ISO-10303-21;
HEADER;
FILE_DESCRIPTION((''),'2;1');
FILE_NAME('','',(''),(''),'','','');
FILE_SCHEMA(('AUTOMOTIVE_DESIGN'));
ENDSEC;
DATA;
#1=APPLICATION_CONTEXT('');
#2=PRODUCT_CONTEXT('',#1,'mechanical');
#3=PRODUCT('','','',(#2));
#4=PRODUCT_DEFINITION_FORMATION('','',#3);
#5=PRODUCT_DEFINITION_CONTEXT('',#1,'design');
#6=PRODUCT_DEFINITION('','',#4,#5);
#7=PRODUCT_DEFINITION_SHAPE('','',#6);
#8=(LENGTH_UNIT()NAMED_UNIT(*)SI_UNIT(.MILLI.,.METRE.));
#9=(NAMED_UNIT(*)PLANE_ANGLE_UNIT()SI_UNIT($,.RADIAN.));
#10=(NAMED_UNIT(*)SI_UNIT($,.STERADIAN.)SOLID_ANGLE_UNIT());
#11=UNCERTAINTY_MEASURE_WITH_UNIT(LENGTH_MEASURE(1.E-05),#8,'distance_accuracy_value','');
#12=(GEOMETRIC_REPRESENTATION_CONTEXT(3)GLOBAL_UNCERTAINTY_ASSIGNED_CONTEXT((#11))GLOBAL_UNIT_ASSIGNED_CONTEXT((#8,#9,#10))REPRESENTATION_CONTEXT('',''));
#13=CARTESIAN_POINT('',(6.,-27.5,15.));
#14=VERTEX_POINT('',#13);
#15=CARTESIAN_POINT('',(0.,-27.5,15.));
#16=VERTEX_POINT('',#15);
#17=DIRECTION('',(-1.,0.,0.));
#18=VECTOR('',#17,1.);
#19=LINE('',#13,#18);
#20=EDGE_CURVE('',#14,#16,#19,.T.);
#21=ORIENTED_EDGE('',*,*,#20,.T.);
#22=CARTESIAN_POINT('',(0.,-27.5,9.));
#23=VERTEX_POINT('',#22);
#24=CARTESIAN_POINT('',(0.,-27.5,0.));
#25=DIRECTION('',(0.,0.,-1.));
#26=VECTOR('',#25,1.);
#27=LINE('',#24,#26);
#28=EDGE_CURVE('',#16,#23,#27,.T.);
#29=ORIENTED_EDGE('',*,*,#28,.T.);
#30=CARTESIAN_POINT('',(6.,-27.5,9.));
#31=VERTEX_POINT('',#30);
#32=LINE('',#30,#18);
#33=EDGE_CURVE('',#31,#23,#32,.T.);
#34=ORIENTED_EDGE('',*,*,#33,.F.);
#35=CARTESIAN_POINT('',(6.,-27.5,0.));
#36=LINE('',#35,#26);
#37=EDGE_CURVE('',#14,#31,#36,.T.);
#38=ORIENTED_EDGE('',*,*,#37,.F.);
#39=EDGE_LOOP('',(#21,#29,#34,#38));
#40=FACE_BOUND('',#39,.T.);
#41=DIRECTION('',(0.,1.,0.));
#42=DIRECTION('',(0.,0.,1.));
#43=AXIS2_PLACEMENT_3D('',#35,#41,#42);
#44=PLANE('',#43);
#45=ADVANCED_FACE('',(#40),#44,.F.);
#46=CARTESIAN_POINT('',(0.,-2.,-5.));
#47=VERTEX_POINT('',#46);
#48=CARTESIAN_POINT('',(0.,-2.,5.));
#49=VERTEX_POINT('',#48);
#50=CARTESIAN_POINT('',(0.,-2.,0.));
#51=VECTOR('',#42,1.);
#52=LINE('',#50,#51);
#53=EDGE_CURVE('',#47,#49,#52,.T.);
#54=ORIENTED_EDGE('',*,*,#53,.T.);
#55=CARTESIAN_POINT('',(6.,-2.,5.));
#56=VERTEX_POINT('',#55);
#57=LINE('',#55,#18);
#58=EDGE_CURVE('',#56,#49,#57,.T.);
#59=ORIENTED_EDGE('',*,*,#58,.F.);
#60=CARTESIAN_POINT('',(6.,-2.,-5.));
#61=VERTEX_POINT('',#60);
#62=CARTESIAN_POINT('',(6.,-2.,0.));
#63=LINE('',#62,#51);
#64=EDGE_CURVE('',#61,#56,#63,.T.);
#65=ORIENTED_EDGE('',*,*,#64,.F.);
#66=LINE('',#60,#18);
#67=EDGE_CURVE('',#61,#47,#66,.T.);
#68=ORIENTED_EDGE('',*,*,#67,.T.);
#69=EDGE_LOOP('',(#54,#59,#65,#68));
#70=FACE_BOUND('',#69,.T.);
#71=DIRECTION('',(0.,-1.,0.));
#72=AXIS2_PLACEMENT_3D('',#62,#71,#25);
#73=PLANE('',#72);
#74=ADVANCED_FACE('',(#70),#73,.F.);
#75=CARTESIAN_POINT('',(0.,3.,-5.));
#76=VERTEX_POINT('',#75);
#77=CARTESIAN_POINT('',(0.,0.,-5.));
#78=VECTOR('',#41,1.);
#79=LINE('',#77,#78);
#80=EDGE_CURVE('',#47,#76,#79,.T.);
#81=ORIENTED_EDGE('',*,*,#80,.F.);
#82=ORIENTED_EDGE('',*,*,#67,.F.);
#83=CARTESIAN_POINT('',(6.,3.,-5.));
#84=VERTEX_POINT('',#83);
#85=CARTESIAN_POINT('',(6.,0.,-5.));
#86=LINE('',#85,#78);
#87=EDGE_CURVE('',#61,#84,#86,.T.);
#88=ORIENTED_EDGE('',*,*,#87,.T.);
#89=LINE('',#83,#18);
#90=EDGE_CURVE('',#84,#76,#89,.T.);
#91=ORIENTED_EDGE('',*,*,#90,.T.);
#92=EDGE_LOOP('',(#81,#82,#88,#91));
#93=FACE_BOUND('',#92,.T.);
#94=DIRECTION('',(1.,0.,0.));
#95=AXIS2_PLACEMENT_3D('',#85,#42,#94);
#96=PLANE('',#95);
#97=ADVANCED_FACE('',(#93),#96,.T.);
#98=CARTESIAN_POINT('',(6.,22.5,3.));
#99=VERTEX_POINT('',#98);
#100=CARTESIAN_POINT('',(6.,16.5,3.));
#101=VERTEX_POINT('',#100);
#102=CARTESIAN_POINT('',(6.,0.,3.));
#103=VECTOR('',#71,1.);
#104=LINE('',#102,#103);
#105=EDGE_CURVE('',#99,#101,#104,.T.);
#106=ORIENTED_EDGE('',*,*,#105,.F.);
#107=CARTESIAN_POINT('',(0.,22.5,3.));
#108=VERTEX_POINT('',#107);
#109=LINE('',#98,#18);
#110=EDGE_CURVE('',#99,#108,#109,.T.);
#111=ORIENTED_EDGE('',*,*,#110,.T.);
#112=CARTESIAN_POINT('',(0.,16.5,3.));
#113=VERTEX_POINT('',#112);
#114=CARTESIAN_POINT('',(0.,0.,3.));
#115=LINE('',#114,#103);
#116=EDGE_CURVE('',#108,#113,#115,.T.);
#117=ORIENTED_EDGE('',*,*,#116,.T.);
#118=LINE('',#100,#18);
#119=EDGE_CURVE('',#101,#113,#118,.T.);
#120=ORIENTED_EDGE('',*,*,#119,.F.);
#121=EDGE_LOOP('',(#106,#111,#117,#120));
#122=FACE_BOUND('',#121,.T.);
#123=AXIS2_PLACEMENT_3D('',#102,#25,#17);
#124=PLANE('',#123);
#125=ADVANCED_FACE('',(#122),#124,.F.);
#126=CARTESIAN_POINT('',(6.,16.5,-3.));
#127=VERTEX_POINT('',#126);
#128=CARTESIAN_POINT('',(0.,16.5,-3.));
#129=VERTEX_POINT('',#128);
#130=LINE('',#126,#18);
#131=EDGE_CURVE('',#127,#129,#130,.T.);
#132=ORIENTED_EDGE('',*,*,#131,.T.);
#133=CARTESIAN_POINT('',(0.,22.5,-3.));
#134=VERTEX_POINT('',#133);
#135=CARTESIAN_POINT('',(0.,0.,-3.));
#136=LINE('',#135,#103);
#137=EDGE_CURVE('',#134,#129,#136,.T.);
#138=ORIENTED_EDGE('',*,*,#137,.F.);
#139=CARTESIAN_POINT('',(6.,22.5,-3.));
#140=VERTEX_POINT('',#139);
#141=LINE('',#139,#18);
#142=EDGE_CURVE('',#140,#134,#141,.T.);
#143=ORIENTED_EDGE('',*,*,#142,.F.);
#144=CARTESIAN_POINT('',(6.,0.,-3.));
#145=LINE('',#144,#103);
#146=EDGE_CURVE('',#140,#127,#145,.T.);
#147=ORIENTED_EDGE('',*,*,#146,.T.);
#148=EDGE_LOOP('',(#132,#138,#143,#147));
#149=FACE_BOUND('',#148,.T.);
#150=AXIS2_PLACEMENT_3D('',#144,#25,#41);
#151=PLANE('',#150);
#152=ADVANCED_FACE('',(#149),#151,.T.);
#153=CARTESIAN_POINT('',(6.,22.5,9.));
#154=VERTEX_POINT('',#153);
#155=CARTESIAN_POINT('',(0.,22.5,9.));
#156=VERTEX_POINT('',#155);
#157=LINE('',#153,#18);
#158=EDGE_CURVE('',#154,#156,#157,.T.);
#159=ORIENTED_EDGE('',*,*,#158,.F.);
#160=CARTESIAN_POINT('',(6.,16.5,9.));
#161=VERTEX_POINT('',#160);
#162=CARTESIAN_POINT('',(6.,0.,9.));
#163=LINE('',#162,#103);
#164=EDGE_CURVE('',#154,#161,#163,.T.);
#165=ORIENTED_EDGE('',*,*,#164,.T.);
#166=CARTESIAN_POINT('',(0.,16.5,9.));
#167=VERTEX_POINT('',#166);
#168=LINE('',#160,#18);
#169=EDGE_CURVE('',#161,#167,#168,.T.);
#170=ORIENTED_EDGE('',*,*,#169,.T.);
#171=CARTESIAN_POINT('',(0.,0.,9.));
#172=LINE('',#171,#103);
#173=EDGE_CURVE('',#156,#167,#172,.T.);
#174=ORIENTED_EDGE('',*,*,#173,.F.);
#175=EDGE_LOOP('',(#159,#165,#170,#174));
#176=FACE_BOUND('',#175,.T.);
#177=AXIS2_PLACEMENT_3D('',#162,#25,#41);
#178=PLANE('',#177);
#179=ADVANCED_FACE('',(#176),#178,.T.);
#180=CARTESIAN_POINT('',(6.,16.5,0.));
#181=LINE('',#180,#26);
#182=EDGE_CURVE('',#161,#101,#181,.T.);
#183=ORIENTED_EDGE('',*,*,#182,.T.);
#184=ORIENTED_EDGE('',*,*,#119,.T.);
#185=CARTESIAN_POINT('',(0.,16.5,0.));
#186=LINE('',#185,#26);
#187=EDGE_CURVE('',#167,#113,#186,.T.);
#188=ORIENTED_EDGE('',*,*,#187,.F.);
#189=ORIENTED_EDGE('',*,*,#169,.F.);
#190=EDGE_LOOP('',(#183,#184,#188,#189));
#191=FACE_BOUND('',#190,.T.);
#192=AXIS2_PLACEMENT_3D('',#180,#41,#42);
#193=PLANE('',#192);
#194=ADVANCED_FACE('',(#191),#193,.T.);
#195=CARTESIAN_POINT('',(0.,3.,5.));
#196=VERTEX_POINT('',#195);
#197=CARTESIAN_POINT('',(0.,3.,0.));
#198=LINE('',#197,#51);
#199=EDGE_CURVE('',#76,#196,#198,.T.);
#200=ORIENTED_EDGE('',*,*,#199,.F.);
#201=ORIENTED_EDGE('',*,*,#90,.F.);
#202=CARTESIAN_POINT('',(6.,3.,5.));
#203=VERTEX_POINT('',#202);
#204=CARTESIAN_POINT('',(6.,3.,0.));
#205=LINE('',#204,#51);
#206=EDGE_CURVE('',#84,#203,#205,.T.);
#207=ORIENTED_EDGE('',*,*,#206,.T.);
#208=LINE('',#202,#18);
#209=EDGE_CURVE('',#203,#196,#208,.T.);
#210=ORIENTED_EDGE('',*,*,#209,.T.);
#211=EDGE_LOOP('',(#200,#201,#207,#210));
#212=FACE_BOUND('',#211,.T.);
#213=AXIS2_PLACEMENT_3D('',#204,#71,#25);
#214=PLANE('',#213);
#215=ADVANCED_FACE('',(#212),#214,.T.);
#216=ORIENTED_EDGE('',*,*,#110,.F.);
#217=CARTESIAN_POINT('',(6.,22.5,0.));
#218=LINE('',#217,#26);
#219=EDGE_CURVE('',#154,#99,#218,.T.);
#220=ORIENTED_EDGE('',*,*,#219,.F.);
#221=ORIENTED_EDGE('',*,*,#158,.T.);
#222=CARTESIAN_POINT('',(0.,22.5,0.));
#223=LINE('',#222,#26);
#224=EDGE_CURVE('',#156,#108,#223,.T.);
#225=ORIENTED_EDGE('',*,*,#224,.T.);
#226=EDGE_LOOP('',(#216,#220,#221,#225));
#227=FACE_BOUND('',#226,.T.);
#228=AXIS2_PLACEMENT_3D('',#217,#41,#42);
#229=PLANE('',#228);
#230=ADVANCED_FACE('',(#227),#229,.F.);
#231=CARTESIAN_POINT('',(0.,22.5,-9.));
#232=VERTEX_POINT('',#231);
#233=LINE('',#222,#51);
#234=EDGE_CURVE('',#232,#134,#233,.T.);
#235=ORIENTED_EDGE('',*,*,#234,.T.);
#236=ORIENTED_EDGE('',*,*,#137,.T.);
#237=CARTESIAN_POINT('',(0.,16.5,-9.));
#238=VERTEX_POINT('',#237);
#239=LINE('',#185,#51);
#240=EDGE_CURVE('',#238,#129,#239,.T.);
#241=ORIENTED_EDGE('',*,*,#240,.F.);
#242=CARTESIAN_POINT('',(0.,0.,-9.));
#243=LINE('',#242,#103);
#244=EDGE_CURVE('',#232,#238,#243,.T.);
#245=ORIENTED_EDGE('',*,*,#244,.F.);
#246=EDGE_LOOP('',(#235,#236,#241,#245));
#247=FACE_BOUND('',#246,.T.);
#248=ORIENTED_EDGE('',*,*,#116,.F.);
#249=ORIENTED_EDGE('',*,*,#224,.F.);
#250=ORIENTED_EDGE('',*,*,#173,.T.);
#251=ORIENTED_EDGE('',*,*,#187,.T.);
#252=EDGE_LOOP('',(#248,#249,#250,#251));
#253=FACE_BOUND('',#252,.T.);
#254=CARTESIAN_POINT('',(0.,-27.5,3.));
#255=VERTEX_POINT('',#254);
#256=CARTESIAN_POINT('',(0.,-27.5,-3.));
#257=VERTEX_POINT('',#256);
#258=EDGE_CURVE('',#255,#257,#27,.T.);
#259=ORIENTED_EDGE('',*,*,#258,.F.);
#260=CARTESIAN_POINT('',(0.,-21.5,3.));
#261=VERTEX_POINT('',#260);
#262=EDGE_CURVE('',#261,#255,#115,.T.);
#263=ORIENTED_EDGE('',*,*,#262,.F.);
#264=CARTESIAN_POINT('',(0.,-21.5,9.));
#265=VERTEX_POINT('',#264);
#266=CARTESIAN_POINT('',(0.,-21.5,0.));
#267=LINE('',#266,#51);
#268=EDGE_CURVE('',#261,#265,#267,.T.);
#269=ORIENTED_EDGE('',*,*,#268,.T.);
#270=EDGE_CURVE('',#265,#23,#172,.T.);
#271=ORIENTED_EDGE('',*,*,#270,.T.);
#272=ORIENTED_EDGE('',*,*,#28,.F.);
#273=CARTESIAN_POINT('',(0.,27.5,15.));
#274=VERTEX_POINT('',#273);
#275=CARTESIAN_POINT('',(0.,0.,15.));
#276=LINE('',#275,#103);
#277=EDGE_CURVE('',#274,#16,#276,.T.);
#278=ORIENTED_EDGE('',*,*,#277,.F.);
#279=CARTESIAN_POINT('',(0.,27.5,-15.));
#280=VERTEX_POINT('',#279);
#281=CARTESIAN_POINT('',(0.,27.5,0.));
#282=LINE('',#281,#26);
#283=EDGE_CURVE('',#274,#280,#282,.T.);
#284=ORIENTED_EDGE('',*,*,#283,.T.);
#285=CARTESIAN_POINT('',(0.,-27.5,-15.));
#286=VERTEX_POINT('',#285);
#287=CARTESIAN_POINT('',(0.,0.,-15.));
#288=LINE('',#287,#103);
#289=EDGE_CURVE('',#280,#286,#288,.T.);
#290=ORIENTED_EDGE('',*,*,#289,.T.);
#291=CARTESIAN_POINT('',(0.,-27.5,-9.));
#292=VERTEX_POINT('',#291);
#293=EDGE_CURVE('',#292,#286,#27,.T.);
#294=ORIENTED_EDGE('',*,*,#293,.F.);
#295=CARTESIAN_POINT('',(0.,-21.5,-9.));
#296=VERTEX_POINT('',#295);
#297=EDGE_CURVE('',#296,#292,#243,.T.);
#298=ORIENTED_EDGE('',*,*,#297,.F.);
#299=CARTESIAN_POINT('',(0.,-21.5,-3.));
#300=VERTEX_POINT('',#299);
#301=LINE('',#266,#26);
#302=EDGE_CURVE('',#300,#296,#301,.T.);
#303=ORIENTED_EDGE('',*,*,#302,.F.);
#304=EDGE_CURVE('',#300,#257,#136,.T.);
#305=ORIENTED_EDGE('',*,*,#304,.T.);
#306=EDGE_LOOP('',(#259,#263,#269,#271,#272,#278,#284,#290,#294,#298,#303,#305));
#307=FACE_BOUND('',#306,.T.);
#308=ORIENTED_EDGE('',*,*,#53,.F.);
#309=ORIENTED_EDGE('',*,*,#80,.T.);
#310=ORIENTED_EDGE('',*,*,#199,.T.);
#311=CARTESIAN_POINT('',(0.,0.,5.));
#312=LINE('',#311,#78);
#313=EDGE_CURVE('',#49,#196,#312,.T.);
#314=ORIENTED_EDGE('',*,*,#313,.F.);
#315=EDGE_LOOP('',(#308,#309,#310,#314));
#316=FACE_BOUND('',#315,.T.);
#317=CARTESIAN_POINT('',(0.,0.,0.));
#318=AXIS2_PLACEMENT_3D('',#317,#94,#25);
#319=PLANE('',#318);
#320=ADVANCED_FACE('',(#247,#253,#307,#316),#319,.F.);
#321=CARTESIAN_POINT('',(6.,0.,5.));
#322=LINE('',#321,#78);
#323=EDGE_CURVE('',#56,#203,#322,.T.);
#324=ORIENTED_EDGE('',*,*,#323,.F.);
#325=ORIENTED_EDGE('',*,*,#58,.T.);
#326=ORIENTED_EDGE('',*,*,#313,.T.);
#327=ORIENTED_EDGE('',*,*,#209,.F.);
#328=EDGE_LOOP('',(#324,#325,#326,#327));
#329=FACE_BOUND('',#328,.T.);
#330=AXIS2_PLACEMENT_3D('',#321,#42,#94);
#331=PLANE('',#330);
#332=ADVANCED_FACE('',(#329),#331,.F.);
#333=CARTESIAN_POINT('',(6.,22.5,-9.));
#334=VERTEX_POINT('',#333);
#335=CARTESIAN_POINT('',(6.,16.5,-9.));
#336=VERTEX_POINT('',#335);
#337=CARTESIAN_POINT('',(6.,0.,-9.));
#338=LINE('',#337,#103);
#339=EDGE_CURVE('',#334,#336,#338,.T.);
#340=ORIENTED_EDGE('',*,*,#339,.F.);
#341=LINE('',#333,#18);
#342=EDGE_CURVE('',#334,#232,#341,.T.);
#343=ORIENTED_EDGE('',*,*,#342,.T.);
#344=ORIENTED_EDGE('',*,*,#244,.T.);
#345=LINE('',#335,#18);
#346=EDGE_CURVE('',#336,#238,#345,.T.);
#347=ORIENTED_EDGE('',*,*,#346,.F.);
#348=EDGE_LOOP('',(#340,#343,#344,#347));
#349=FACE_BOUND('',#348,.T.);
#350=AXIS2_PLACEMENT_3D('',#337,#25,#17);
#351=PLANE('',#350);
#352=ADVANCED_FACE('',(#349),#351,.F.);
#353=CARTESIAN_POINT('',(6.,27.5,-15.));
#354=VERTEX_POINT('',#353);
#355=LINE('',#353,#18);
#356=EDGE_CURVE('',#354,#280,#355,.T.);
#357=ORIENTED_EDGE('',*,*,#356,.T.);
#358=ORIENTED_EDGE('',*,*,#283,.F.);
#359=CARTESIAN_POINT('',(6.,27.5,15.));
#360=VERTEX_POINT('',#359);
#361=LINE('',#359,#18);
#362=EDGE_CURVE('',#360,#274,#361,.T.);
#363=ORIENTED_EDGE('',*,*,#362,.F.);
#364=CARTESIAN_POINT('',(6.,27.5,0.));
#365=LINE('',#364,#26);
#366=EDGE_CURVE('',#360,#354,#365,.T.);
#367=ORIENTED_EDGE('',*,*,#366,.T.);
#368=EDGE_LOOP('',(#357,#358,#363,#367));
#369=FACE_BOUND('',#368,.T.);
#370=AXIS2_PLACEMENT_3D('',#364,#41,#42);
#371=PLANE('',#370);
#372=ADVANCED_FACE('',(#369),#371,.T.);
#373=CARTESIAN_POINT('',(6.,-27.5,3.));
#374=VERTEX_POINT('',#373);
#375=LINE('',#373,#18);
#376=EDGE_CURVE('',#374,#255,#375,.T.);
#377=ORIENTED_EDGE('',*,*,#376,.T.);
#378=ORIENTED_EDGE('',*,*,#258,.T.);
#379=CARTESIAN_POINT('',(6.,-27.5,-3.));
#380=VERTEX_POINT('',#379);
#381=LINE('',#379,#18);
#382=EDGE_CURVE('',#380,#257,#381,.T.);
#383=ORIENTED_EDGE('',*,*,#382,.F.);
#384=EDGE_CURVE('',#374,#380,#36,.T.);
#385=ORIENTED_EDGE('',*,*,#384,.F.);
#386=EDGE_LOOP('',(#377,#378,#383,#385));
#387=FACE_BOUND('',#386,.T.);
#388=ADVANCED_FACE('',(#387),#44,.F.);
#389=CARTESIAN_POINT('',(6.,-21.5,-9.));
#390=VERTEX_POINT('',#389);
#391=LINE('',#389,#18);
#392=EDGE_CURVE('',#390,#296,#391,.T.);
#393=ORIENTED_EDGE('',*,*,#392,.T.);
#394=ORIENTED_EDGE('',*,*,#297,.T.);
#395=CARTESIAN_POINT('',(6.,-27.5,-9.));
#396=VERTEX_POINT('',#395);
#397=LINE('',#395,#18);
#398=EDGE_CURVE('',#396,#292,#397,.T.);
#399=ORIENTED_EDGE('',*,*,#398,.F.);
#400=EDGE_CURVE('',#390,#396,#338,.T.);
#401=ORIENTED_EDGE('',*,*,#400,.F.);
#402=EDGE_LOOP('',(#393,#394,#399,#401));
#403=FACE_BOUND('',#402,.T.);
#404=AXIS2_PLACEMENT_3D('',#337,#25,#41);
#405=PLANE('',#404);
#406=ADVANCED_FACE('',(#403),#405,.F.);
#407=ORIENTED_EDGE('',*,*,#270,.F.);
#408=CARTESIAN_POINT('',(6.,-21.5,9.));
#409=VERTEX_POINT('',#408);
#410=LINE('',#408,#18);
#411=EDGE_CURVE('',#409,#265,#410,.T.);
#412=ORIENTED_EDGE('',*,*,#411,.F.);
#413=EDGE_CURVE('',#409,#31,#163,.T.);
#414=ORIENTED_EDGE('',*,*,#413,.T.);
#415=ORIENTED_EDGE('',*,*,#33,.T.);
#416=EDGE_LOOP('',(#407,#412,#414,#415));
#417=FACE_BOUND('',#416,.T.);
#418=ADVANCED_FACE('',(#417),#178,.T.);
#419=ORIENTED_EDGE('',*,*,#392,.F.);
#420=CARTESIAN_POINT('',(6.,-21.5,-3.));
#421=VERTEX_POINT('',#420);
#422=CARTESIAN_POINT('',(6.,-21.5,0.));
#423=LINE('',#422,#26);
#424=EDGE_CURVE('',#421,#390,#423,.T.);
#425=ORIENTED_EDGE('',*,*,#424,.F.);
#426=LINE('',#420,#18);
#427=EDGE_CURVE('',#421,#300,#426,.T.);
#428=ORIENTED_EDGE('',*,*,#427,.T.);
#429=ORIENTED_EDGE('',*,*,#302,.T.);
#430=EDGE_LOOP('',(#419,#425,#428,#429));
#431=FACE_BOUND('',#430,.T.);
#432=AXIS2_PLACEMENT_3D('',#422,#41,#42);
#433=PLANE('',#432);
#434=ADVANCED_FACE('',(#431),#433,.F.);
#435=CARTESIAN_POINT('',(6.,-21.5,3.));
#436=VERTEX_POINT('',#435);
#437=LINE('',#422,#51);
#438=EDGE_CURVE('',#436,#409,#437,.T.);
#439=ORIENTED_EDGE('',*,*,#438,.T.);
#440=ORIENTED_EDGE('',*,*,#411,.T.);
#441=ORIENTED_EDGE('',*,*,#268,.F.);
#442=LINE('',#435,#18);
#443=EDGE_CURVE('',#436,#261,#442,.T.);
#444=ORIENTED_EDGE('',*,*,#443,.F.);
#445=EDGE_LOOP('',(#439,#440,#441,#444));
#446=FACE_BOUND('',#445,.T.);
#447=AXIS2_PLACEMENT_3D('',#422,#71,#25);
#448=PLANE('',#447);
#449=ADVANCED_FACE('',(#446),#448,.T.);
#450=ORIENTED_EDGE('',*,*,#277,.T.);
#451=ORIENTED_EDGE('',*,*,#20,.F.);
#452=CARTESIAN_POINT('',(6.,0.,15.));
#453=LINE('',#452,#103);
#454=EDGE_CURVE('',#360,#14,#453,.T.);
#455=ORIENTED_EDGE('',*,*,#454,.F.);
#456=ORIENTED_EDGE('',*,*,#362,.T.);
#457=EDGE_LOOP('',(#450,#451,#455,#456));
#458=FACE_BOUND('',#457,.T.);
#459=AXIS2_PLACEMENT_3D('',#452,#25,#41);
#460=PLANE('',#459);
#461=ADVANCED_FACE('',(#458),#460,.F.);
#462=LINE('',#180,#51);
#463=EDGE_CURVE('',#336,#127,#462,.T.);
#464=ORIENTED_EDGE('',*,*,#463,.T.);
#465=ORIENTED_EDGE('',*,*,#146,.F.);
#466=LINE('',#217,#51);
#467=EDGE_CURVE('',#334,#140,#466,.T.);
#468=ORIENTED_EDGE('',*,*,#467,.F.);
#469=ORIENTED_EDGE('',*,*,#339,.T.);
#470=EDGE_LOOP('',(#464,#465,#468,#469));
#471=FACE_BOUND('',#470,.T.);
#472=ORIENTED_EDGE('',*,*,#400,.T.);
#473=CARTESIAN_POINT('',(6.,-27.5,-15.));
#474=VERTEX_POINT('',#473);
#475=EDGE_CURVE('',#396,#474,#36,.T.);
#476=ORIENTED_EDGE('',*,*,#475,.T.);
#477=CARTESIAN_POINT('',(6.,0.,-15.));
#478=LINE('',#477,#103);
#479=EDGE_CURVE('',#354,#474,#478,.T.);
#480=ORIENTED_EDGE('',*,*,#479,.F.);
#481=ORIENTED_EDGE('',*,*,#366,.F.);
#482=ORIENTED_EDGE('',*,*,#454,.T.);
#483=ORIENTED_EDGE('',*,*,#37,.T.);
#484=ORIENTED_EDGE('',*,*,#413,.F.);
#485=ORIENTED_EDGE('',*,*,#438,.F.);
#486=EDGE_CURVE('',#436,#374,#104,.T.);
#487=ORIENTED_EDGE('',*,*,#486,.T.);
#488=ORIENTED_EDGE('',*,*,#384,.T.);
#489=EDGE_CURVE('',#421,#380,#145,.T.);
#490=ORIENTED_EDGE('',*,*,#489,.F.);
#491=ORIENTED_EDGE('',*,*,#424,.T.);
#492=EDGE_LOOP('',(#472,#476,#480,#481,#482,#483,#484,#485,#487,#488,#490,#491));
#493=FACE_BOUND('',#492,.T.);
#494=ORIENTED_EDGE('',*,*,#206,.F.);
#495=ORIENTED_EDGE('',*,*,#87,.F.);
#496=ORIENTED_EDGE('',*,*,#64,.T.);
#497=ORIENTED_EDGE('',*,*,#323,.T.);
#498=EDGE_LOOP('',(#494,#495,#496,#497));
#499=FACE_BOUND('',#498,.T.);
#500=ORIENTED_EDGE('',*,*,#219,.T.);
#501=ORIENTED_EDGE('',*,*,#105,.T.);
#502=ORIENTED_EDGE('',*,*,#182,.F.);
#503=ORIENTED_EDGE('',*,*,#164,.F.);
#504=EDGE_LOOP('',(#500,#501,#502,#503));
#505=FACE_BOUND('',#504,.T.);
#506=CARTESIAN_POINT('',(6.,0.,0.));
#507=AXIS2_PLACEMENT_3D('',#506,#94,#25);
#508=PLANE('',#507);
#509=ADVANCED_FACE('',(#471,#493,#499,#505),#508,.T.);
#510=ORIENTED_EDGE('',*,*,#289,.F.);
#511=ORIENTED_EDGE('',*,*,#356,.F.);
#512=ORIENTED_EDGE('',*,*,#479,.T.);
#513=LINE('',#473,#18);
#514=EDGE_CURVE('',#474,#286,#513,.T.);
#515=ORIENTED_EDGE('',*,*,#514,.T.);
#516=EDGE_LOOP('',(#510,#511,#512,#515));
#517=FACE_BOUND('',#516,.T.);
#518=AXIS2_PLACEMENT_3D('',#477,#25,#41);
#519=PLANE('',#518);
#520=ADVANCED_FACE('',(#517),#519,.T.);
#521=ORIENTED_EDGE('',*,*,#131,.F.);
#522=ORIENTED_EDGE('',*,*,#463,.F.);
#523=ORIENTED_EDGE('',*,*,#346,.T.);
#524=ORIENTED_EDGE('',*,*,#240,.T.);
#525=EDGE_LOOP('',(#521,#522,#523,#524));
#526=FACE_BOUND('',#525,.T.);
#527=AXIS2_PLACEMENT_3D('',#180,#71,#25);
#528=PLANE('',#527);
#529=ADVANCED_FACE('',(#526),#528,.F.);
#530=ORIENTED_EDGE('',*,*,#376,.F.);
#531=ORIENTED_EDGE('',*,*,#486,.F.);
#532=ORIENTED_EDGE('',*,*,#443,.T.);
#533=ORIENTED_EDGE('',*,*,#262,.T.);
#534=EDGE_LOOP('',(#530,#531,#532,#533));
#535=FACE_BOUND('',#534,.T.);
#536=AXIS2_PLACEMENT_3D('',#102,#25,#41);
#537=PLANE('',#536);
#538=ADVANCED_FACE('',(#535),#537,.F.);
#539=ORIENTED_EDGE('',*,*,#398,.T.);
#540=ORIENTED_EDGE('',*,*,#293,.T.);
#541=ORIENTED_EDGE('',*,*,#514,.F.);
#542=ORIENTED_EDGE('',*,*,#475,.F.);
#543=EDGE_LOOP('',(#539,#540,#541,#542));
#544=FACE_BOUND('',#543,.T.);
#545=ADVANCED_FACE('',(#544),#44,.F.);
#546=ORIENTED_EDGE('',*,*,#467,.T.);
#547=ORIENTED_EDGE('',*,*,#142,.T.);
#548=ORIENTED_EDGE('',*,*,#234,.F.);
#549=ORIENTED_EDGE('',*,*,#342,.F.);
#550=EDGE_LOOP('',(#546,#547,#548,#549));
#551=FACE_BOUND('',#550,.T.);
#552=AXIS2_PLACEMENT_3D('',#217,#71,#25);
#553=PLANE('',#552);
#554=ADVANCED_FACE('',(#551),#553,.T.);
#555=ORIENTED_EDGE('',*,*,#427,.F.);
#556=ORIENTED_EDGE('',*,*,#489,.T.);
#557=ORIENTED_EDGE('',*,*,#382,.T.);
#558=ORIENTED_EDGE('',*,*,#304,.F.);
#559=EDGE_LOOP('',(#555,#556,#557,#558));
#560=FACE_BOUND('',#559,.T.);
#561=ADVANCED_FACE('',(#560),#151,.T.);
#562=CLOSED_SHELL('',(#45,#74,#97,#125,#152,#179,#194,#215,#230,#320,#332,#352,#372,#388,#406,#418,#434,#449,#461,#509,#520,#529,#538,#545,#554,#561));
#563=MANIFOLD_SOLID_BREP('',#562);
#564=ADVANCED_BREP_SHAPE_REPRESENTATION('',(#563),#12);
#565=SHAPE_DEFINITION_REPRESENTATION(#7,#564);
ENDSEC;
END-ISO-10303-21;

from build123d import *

# Parameters (mm, degrees)
SKETCH1_W           = 6
SKETCH1_H           = 6
SKETCH1_W_2         = 10
SKETCH1_H_2         = 5
BOSS_EXTRUDE1_DEPTH = 6


with BuildPart() as part:
    # Sketch1 → Boss-Extrude1 (new body)
    with BuildSketch(Plane(origin=(0, 0, 0), x_dir=(0, 0, -1), z_dir=(1, 0, 0))):
        Polygon((-15, 27.5), (15, 27.5), (15, -27.5), (9, -27.5), (9, -21.5), (3, -21.5), (3, -27.5), (-3, -27.5), (-3, -21.5), (-9, -21.5), (-9, -27.5), (-15, -27.5), align=None)
        with Locations((-6, 19.5)):
            Rectangle(SKETCH1_W, SKETCH1_H, mode=Mode.SUBTRACT)
        with Locations((6, 19.5)):
            Rectangle(SKETCH1_W, SKETCH1_H, mode=Mode.SUBTRACT)
        with Locations((0, 0.5)):
            Rectangle(SKETCH1_W_2, SKETCH1_H_2, mode=Mode.SUBTRACT)
    extrude(amount=BOSS_EXTRUDE1_DEPTH)


solid = part.part
